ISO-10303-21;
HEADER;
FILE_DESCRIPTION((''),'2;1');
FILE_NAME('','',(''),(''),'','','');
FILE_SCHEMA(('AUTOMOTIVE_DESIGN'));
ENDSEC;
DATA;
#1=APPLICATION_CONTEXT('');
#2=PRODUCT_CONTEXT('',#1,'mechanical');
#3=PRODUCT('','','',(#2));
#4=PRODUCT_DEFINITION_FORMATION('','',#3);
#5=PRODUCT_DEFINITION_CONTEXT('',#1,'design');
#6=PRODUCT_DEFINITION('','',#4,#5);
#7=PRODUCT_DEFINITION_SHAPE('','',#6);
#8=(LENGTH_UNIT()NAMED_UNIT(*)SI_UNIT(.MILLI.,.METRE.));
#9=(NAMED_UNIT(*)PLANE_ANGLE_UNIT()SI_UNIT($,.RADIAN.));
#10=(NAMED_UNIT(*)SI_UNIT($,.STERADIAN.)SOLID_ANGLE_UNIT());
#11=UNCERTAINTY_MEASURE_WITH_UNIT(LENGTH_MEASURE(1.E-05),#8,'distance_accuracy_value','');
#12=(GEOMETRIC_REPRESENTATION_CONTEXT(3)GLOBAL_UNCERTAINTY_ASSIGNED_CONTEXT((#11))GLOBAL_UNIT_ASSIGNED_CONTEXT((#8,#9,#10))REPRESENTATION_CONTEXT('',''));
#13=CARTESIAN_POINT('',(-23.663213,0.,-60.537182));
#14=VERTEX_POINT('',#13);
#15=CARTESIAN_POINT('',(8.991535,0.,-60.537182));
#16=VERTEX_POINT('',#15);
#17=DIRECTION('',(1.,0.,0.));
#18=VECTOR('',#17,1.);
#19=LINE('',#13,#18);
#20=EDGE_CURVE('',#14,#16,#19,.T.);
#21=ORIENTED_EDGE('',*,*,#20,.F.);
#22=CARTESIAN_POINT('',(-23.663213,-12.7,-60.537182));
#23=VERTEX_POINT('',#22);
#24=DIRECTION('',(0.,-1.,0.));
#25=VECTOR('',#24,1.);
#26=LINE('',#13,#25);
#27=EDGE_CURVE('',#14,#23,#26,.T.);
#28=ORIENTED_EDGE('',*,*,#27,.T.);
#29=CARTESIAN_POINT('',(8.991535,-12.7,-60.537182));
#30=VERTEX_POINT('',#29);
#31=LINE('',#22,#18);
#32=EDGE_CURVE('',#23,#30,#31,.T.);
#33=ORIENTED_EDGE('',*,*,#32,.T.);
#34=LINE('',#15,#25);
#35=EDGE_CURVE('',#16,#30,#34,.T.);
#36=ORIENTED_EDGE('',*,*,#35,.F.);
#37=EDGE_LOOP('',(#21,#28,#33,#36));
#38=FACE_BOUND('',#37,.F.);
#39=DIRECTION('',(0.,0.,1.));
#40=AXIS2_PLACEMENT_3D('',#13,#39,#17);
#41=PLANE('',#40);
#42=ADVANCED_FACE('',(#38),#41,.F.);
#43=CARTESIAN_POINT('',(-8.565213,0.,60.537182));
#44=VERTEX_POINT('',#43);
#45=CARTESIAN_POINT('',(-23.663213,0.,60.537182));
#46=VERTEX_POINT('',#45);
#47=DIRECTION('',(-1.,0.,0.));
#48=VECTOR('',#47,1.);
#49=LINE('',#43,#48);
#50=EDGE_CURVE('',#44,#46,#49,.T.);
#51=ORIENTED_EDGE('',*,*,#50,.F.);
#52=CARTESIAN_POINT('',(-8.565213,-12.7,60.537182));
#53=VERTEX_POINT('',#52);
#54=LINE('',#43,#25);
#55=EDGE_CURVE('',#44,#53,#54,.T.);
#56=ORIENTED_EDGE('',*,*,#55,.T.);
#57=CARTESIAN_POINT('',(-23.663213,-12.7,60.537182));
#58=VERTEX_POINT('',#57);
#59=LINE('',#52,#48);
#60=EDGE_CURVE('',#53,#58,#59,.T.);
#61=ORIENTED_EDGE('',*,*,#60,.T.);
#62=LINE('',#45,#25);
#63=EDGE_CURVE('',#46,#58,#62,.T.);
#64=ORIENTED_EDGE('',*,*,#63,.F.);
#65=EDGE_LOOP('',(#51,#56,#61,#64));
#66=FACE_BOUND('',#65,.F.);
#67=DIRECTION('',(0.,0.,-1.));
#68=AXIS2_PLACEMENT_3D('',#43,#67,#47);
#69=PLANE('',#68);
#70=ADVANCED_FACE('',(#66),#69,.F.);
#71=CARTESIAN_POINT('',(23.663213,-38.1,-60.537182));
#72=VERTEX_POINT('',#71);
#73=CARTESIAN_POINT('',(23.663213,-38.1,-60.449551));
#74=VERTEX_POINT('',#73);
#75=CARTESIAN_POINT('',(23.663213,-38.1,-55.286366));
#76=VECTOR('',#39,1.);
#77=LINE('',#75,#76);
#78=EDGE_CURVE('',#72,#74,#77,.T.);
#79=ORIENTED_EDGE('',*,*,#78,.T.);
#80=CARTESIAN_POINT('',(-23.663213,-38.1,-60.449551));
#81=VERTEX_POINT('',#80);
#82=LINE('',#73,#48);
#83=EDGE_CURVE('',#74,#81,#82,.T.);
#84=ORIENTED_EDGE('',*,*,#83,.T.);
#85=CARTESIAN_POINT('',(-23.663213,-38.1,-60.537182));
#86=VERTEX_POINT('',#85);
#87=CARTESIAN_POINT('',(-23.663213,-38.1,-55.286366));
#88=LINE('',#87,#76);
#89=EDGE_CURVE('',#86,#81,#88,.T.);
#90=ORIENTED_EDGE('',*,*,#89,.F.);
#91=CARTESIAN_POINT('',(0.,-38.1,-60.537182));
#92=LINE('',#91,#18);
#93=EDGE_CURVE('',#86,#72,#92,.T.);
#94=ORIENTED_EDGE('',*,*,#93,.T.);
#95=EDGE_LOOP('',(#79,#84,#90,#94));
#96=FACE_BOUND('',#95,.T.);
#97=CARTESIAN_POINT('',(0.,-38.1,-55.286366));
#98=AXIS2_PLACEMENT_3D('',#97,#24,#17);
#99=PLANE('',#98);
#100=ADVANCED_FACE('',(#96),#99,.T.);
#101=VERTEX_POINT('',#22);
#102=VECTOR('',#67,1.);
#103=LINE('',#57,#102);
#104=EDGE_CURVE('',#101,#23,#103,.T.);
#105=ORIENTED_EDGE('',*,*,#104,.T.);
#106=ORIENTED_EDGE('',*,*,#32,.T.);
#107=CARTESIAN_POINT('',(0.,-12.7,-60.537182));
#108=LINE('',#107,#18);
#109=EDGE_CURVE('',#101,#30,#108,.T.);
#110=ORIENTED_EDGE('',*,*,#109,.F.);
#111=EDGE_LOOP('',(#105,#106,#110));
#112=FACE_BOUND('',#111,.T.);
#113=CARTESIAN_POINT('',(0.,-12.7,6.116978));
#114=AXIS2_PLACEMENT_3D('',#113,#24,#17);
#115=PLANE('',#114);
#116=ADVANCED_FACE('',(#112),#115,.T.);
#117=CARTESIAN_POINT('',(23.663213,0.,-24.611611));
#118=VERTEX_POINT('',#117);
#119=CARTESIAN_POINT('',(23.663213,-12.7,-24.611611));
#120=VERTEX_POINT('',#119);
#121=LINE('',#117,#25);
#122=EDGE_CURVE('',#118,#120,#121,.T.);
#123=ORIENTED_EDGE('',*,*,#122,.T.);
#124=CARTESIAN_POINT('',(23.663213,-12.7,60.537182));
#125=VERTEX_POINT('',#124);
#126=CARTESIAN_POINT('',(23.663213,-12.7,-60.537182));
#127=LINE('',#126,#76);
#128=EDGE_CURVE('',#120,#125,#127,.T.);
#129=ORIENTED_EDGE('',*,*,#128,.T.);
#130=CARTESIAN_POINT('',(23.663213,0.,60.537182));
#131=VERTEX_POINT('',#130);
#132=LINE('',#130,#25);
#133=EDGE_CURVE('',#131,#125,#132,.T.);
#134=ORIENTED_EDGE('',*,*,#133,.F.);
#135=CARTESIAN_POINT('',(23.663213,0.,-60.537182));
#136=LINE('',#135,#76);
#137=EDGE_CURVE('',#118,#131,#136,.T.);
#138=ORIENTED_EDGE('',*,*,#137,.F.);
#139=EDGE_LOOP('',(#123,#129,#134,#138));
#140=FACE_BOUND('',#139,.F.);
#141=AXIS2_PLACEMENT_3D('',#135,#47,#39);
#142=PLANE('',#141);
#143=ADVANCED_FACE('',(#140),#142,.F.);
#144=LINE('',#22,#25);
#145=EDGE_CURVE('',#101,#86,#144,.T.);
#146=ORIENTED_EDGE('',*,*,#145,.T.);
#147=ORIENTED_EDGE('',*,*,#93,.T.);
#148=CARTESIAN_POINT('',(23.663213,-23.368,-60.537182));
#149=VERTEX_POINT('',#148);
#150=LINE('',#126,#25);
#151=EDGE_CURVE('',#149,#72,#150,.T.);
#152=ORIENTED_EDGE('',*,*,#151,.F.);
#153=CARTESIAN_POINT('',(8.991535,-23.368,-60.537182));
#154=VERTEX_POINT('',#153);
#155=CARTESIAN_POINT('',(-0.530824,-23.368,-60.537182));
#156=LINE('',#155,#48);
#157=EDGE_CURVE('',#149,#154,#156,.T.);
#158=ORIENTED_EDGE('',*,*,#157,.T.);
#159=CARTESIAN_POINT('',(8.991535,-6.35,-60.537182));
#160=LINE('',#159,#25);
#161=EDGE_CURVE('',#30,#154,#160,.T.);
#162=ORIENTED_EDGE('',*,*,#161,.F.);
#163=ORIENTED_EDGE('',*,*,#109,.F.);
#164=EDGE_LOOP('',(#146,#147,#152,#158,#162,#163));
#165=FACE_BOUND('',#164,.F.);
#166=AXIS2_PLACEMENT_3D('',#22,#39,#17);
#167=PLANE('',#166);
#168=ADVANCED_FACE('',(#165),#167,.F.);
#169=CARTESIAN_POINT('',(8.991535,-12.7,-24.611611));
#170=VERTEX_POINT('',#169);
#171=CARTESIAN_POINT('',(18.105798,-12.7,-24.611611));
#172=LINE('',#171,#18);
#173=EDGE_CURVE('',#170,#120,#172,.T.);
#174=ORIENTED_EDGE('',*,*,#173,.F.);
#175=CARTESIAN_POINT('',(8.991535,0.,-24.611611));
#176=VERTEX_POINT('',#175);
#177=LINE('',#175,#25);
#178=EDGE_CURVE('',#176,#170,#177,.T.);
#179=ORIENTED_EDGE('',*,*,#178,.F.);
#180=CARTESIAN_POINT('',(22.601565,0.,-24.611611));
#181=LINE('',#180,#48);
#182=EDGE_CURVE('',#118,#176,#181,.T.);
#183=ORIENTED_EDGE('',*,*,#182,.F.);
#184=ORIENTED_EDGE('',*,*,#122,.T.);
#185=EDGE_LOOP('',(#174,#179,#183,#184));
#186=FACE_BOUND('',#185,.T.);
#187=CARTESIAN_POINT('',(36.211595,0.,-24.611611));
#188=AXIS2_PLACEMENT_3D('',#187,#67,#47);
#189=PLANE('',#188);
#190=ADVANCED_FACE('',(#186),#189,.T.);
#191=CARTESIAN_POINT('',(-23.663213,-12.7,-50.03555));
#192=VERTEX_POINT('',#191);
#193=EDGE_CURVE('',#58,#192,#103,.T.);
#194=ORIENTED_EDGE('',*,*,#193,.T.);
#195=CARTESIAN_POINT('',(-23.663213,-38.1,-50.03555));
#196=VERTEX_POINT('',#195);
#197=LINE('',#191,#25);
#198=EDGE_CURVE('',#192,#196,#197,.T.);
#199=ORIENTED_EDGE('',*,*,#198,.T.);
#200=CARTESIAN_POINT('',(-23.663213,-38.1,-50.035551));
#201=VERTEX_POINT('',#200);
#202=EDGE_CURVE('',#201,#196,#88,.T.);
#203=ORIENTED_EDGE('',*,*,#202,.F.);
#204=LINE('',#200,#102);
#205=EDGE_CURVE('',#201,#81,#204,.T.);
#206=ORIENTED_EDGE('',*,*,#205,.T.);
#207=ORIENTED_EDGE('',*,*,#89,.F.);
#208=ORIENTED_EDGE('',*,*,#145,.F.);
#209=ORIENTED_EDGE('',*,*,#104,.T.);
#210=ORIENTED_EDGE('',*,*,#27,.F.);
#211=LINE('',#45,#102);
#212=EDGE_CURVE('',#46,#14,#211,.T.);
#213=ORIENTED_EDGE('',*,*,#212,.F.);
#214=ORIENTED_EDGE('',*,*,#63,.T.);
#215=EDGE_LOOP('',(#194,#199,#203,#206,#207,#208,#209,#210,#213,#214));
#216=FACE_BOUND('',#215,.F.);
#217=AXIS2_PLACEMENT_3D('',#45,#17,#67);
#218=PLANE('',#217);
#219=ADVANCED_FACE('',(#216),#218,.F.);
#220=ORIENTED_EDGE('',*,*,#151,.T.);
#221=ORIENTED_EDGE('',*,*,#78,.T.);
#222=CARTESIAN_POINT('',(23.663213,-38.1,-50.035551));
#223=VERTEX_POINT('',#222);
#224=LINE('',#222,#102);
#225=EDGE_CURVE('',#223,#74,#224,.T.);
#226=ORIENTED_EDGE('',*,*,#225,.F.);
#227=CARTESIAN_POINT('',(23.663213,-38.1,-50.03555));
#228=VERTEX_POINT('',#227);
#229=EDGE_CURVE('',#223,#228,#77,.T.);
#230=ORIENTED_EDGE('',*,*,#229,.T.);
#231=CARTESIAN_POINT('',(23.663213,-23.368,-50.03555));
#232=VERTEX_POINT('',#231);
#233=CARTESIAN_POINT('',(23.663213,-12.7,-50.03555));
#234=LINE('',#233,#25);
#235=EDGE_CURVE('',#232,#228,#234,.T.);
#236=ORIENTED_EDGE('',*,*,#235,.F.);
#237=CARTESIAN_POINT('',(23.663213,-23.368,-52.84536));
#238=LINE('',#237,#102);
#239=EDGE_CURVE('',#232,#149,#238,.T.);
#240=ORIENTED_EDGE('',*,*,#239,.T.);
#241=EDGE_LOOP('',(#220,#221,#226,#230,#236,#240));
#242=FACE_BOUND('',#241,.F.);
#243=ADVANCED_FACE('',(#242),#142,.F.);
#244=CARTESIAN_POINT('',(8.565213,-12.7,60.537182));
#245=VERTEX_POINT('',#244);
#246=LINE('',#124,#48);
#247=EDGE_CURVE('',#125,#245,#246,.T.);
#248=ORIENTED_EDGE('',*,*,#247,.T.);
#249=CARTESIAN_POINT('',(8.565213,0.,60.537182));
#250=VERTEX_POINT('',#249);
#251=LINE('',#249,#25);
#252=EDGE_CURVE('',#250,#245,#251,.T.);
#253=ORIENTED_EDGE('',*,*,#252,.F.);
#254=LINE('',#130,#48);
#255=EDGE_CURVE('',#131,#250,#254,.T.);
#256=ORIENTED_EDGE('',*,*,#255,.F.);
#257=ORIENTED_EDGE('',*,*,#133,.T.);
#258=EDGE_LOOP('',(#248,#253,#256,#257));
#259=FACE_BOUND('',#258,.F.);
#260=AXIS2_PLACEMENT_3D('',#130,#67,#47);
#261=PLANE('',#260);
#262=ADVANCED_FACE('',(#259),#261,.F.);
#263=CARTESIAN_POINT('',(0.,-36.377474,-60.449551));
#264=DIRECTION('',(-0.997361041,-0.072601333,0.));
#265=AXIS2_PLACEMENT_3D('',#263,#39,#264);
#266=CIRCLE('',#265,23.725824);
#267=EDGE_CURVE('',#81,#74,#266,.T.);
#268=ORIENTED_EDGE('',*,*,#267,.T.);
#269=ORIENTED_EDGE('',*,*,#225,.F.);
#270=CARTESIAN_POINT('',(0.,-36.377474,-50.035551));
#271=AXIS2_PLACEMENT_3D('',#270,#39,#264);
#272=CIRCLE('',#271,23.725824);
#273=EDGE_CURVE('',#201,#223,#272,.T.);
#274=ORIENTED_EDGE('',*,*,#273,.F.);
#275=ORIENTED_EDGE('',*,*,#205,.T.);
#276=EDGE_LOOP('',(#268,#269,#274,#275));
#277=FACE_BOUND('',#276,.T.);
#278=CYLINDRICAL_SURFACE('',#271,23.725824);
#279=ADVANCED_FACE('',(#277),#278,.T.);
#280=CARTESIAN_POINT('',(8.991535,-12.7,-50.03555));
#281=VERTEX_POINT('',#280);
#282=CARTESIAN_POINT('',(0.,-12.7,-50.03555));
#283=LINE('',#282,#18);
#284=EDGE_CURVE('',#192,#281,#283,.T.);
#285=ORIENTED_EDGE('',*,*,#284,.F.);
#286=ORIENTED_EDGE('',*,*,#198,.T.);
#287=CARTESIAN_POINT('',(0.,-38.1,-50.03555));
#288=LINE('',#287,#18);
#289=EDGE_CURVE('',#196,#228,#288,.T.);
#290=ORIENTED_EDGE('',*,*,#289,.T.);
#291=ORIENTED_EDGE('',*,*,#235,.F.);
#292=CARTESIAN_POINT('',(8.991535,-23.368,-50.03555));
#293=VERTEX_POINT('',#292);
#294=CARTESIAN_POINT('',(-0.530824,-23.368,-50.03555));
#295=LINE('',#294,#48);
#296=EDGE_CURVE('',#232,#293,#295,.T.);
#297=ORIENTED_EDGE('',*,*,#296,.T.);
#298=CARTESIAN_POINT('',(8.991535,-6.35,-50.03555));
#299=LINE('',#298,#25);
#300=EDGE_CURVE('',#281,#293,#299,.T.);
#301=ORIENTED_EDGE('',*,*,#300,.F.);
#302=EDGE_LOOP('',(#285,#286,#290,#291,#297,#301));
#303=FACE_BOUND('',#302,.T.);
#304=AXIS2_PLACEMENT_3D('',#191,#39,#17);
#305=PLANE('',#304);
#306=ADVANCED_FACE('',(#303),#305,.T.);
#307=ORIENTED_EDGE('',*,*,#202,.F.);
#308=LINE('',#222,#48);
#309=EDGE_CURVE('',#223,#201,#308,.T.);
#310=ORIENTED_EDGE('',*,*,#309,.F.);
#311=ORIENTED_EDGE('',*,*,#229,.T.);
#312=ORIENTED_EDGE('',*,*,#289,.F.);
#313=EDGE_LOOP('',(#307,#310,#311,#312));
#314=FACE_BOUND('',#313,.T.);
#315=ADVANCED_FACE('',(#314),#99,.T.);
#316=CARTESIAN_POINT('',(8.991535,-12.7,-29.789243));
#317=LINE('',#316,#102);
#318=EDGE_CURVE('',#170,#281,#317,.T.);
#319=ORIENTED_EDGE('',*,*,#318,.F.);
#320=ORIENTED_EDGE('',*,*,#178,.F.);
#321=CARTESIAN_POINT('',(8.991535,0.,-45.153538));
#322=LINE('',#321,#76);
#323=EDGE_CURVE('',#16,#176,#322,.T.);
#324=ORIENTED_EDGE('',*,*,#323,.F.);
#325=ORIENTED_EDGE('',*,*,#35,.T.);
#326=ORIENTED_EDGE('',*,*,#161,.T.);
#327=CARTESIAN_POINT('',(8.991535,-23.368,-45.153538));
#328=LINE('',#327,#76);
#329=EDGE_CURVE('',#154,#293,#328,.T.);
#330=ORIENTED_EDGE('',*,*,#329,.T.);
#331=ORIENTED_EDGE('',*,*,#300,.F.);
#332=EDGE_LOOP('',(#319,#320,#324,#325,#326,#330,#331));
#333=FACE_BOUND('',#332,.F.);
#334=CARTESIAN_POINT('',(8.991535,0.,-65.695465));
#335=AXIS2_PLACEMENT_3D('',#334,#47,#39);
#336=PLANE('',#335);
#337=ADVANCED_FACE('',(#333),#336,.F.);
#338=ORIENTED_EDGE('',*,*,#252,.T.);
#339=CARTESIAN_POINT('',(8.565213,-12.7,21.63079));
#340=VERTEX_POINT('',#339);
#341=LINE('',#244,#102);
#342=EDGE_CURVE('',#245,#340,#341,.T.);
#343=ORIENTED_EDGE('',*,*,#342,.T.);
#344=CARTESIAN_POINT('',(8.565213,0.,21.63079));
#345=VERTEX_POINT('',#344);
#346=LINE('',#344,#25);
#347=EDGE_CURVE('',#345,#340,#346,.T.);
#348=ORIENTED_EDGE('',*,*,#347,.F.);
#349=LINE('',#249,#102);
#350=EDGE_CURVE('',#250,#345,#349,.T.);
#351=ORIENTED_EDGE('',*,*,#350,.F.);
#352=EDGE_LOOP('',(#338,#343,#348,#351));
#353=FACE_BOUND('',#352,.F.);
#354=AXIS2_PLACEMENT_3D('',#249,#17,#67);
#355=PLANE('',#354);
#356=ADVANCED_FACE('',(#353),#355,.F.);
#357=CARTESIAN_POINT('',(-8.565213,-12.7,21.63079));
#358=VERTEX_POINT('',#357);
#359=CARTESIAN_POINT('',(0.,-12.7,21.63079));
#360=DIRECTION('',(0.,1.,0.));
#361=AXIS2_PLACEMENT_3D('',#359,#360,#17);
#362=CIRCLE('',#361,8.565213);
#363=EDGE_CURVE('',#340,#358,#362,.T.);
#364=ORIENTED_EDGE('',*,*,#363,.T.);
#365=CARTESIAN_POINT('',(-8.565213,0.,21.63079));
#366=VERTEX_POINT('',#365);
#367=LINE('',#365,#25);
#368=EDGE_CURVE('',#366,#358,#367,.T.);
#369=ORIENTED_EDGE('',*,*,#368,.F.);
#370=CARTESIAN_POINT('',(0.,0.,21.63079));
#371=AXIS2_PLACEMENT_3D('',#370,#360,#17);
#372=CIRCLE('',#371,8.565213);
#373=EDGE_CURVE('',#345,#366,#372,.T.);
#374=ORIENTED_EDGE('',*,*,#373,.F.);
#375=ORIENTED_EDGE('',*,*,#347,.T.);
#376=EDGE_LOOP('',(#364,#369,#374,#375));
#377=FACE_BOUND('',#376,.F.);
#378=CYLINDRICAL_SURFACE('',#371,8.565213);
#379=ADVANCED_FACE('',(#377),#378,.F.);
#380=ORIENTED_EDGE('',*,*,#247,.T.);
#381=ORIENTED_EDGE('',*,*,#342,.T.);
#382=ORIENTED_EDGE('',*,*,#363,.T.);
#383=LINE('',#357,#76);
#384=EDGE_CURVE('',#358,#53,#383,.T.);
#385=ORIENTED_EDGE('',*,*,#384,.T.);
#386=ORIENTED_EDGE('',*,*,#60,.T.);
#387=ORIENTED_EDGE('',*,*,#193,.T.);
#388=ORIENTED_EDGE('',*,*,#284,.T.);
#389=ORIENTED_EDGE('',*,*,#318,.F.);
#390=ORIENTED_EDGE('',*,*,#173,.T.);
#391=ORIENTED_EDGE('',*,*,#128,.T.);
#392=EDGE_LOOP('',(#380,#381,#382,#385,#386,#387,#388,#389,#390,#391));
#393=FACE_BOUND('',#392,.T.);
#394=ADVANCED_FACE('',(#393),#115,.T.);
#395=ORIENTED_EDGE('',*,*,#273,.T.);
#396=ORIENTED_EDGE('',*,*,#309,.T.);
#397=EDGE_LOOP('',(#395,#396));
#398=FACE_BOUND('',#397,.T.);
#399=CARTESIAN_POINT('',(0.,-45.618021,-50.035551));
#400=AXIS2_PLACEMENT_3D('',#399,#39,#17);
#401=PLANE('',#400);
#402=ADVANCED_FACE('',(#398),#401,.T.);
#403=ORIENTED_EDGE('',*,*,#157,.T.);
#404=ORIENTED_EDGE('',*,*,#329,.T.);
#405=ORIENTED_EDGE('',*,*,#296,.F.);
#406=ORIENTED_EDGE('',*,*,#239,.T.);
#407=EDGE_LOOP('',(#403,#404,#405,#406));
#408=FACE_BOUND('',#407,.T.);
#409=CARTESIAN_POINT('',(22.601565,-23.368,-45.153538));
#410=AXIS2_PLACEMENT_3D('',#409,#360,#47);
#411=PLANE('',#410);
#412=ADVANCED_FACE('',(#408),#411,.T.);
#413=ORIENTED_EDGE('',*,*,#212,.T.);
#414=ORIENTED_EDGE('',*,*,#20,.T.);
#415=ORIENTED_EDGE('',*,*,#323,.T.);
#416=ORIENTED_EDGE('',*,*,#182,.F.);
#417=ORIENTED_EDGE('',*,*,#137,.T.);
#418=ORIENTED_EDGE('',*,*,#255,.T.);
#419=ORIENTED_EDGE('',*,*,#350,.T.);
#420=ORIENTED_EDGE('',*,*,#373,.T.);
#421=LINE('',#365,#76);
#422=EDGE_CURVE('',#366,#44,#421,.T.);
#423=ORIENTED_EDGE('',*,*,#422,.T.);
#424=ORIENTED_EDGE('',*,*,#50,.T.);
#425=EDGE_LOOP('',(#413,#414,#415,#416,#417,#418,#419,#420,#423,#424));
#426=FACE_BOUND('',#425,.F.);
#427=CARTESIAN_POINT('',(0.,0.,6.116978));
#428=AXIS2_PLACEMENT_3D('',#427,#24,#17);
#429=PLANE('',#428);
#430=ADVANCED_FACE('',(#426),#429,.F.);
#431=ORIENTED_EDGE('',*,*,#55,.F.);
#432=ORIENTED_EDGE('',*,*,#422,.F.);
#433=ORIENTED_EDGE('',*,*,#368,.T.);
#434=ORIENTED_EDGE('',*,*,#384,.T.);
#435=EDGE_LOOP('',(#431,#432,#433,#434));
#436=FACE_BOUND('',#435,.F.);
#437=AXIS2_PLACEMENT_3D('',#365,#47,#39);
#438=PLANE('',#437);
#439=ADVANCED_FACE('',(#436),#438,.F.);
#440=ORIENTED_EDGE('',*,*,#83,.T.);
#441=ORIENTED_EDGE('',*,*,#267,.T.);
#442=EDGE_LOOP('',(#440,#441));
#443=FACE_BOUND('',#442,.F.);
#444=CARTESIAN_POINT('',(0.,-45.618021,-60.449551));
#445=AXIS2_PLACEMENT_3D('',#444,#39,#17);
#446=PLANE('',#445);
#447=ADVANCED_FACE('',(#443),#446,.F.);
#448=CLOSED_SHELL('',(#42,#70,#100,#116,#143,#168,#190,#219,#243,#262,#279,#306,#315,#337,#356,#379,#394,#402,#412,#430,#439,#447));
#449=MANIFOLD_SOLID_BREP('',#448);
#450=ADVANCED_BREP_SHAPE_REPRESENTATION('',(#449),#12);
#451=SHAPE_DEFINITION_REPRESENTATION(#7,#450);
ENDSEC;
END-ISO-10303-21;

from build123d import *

# Parameters (mm, degrees)
F1_DEPTH = 12.7
F2_W     = 47.326426
F2_H     = 10.501631
F3_DEPTH = 25.4
F5_DEPTH = 10.414
F6_W     = 27.22006
F6_H     = 41.083854
F7_DEPTH = 23.368


with BuildPart() as f1:
    # F0 (on Front) → F1 (new body)
    with BuildSketch(Plane.XZ):
        with BuildLine():
            Line((-8.565213, 60.537182), (-23.663213, 60.537182))
            Line((-23.663213, 60.537182), (-23.663213, -60.537182))
            Line((-23.663213, -60.537182), (23.663213, -60.537182))
            Line((23.663213, -60.537182), (23.663213, 60.537182))
            Line((23.663213, 60.537182), (8.565213, 60.537182))
            Line((8.565213, 60.537182), (8.565213, 21.63079))
            ThreePointArc((8.565213, 21.63079), (0, 13.065577), (-8.565213, 21.63079))
            Line((-8.565213, 21.63079), (-8.565213, 60.537182))
        make_face()
    extrude(amount=F1_DEPTH)

    # F2 (on face) → F3 (join)
    with BuildSketch(Plane.XZ.offset(12.7)):
        with Locations((0, -55.286366)):
            Rectangle(F2_W, F2_H)
    extrude(amount=F3_DEPTH)

    # F4 (on face) → F5 (join)
    with BuildSketch(Plane.XY.offset(-50.035551)):
        with BuildLine():
            Line((23.663213, -38.1), (-23.663213, -38.1))
            ThreePointArc((-23.663213, -38.1), (0, -60.103298), (23.663213, -38.1))
        make_face()
    extrude(amount=-F5_DEPTH)

    # F6 (on face) → F7 (cut)
    with BuildSketch(Plane(origin=(0, 0, 0), x_dir=(-1, 0, 0), z_dir=(0, 1, 0))):
        with Locations((-22.601565, -45.153538)):
            Rectangle(F6_W, F6_H)
    extrude(amount=-F7_DEPTH, mode=Mode.SUBTRACT)


solid = f1.part
